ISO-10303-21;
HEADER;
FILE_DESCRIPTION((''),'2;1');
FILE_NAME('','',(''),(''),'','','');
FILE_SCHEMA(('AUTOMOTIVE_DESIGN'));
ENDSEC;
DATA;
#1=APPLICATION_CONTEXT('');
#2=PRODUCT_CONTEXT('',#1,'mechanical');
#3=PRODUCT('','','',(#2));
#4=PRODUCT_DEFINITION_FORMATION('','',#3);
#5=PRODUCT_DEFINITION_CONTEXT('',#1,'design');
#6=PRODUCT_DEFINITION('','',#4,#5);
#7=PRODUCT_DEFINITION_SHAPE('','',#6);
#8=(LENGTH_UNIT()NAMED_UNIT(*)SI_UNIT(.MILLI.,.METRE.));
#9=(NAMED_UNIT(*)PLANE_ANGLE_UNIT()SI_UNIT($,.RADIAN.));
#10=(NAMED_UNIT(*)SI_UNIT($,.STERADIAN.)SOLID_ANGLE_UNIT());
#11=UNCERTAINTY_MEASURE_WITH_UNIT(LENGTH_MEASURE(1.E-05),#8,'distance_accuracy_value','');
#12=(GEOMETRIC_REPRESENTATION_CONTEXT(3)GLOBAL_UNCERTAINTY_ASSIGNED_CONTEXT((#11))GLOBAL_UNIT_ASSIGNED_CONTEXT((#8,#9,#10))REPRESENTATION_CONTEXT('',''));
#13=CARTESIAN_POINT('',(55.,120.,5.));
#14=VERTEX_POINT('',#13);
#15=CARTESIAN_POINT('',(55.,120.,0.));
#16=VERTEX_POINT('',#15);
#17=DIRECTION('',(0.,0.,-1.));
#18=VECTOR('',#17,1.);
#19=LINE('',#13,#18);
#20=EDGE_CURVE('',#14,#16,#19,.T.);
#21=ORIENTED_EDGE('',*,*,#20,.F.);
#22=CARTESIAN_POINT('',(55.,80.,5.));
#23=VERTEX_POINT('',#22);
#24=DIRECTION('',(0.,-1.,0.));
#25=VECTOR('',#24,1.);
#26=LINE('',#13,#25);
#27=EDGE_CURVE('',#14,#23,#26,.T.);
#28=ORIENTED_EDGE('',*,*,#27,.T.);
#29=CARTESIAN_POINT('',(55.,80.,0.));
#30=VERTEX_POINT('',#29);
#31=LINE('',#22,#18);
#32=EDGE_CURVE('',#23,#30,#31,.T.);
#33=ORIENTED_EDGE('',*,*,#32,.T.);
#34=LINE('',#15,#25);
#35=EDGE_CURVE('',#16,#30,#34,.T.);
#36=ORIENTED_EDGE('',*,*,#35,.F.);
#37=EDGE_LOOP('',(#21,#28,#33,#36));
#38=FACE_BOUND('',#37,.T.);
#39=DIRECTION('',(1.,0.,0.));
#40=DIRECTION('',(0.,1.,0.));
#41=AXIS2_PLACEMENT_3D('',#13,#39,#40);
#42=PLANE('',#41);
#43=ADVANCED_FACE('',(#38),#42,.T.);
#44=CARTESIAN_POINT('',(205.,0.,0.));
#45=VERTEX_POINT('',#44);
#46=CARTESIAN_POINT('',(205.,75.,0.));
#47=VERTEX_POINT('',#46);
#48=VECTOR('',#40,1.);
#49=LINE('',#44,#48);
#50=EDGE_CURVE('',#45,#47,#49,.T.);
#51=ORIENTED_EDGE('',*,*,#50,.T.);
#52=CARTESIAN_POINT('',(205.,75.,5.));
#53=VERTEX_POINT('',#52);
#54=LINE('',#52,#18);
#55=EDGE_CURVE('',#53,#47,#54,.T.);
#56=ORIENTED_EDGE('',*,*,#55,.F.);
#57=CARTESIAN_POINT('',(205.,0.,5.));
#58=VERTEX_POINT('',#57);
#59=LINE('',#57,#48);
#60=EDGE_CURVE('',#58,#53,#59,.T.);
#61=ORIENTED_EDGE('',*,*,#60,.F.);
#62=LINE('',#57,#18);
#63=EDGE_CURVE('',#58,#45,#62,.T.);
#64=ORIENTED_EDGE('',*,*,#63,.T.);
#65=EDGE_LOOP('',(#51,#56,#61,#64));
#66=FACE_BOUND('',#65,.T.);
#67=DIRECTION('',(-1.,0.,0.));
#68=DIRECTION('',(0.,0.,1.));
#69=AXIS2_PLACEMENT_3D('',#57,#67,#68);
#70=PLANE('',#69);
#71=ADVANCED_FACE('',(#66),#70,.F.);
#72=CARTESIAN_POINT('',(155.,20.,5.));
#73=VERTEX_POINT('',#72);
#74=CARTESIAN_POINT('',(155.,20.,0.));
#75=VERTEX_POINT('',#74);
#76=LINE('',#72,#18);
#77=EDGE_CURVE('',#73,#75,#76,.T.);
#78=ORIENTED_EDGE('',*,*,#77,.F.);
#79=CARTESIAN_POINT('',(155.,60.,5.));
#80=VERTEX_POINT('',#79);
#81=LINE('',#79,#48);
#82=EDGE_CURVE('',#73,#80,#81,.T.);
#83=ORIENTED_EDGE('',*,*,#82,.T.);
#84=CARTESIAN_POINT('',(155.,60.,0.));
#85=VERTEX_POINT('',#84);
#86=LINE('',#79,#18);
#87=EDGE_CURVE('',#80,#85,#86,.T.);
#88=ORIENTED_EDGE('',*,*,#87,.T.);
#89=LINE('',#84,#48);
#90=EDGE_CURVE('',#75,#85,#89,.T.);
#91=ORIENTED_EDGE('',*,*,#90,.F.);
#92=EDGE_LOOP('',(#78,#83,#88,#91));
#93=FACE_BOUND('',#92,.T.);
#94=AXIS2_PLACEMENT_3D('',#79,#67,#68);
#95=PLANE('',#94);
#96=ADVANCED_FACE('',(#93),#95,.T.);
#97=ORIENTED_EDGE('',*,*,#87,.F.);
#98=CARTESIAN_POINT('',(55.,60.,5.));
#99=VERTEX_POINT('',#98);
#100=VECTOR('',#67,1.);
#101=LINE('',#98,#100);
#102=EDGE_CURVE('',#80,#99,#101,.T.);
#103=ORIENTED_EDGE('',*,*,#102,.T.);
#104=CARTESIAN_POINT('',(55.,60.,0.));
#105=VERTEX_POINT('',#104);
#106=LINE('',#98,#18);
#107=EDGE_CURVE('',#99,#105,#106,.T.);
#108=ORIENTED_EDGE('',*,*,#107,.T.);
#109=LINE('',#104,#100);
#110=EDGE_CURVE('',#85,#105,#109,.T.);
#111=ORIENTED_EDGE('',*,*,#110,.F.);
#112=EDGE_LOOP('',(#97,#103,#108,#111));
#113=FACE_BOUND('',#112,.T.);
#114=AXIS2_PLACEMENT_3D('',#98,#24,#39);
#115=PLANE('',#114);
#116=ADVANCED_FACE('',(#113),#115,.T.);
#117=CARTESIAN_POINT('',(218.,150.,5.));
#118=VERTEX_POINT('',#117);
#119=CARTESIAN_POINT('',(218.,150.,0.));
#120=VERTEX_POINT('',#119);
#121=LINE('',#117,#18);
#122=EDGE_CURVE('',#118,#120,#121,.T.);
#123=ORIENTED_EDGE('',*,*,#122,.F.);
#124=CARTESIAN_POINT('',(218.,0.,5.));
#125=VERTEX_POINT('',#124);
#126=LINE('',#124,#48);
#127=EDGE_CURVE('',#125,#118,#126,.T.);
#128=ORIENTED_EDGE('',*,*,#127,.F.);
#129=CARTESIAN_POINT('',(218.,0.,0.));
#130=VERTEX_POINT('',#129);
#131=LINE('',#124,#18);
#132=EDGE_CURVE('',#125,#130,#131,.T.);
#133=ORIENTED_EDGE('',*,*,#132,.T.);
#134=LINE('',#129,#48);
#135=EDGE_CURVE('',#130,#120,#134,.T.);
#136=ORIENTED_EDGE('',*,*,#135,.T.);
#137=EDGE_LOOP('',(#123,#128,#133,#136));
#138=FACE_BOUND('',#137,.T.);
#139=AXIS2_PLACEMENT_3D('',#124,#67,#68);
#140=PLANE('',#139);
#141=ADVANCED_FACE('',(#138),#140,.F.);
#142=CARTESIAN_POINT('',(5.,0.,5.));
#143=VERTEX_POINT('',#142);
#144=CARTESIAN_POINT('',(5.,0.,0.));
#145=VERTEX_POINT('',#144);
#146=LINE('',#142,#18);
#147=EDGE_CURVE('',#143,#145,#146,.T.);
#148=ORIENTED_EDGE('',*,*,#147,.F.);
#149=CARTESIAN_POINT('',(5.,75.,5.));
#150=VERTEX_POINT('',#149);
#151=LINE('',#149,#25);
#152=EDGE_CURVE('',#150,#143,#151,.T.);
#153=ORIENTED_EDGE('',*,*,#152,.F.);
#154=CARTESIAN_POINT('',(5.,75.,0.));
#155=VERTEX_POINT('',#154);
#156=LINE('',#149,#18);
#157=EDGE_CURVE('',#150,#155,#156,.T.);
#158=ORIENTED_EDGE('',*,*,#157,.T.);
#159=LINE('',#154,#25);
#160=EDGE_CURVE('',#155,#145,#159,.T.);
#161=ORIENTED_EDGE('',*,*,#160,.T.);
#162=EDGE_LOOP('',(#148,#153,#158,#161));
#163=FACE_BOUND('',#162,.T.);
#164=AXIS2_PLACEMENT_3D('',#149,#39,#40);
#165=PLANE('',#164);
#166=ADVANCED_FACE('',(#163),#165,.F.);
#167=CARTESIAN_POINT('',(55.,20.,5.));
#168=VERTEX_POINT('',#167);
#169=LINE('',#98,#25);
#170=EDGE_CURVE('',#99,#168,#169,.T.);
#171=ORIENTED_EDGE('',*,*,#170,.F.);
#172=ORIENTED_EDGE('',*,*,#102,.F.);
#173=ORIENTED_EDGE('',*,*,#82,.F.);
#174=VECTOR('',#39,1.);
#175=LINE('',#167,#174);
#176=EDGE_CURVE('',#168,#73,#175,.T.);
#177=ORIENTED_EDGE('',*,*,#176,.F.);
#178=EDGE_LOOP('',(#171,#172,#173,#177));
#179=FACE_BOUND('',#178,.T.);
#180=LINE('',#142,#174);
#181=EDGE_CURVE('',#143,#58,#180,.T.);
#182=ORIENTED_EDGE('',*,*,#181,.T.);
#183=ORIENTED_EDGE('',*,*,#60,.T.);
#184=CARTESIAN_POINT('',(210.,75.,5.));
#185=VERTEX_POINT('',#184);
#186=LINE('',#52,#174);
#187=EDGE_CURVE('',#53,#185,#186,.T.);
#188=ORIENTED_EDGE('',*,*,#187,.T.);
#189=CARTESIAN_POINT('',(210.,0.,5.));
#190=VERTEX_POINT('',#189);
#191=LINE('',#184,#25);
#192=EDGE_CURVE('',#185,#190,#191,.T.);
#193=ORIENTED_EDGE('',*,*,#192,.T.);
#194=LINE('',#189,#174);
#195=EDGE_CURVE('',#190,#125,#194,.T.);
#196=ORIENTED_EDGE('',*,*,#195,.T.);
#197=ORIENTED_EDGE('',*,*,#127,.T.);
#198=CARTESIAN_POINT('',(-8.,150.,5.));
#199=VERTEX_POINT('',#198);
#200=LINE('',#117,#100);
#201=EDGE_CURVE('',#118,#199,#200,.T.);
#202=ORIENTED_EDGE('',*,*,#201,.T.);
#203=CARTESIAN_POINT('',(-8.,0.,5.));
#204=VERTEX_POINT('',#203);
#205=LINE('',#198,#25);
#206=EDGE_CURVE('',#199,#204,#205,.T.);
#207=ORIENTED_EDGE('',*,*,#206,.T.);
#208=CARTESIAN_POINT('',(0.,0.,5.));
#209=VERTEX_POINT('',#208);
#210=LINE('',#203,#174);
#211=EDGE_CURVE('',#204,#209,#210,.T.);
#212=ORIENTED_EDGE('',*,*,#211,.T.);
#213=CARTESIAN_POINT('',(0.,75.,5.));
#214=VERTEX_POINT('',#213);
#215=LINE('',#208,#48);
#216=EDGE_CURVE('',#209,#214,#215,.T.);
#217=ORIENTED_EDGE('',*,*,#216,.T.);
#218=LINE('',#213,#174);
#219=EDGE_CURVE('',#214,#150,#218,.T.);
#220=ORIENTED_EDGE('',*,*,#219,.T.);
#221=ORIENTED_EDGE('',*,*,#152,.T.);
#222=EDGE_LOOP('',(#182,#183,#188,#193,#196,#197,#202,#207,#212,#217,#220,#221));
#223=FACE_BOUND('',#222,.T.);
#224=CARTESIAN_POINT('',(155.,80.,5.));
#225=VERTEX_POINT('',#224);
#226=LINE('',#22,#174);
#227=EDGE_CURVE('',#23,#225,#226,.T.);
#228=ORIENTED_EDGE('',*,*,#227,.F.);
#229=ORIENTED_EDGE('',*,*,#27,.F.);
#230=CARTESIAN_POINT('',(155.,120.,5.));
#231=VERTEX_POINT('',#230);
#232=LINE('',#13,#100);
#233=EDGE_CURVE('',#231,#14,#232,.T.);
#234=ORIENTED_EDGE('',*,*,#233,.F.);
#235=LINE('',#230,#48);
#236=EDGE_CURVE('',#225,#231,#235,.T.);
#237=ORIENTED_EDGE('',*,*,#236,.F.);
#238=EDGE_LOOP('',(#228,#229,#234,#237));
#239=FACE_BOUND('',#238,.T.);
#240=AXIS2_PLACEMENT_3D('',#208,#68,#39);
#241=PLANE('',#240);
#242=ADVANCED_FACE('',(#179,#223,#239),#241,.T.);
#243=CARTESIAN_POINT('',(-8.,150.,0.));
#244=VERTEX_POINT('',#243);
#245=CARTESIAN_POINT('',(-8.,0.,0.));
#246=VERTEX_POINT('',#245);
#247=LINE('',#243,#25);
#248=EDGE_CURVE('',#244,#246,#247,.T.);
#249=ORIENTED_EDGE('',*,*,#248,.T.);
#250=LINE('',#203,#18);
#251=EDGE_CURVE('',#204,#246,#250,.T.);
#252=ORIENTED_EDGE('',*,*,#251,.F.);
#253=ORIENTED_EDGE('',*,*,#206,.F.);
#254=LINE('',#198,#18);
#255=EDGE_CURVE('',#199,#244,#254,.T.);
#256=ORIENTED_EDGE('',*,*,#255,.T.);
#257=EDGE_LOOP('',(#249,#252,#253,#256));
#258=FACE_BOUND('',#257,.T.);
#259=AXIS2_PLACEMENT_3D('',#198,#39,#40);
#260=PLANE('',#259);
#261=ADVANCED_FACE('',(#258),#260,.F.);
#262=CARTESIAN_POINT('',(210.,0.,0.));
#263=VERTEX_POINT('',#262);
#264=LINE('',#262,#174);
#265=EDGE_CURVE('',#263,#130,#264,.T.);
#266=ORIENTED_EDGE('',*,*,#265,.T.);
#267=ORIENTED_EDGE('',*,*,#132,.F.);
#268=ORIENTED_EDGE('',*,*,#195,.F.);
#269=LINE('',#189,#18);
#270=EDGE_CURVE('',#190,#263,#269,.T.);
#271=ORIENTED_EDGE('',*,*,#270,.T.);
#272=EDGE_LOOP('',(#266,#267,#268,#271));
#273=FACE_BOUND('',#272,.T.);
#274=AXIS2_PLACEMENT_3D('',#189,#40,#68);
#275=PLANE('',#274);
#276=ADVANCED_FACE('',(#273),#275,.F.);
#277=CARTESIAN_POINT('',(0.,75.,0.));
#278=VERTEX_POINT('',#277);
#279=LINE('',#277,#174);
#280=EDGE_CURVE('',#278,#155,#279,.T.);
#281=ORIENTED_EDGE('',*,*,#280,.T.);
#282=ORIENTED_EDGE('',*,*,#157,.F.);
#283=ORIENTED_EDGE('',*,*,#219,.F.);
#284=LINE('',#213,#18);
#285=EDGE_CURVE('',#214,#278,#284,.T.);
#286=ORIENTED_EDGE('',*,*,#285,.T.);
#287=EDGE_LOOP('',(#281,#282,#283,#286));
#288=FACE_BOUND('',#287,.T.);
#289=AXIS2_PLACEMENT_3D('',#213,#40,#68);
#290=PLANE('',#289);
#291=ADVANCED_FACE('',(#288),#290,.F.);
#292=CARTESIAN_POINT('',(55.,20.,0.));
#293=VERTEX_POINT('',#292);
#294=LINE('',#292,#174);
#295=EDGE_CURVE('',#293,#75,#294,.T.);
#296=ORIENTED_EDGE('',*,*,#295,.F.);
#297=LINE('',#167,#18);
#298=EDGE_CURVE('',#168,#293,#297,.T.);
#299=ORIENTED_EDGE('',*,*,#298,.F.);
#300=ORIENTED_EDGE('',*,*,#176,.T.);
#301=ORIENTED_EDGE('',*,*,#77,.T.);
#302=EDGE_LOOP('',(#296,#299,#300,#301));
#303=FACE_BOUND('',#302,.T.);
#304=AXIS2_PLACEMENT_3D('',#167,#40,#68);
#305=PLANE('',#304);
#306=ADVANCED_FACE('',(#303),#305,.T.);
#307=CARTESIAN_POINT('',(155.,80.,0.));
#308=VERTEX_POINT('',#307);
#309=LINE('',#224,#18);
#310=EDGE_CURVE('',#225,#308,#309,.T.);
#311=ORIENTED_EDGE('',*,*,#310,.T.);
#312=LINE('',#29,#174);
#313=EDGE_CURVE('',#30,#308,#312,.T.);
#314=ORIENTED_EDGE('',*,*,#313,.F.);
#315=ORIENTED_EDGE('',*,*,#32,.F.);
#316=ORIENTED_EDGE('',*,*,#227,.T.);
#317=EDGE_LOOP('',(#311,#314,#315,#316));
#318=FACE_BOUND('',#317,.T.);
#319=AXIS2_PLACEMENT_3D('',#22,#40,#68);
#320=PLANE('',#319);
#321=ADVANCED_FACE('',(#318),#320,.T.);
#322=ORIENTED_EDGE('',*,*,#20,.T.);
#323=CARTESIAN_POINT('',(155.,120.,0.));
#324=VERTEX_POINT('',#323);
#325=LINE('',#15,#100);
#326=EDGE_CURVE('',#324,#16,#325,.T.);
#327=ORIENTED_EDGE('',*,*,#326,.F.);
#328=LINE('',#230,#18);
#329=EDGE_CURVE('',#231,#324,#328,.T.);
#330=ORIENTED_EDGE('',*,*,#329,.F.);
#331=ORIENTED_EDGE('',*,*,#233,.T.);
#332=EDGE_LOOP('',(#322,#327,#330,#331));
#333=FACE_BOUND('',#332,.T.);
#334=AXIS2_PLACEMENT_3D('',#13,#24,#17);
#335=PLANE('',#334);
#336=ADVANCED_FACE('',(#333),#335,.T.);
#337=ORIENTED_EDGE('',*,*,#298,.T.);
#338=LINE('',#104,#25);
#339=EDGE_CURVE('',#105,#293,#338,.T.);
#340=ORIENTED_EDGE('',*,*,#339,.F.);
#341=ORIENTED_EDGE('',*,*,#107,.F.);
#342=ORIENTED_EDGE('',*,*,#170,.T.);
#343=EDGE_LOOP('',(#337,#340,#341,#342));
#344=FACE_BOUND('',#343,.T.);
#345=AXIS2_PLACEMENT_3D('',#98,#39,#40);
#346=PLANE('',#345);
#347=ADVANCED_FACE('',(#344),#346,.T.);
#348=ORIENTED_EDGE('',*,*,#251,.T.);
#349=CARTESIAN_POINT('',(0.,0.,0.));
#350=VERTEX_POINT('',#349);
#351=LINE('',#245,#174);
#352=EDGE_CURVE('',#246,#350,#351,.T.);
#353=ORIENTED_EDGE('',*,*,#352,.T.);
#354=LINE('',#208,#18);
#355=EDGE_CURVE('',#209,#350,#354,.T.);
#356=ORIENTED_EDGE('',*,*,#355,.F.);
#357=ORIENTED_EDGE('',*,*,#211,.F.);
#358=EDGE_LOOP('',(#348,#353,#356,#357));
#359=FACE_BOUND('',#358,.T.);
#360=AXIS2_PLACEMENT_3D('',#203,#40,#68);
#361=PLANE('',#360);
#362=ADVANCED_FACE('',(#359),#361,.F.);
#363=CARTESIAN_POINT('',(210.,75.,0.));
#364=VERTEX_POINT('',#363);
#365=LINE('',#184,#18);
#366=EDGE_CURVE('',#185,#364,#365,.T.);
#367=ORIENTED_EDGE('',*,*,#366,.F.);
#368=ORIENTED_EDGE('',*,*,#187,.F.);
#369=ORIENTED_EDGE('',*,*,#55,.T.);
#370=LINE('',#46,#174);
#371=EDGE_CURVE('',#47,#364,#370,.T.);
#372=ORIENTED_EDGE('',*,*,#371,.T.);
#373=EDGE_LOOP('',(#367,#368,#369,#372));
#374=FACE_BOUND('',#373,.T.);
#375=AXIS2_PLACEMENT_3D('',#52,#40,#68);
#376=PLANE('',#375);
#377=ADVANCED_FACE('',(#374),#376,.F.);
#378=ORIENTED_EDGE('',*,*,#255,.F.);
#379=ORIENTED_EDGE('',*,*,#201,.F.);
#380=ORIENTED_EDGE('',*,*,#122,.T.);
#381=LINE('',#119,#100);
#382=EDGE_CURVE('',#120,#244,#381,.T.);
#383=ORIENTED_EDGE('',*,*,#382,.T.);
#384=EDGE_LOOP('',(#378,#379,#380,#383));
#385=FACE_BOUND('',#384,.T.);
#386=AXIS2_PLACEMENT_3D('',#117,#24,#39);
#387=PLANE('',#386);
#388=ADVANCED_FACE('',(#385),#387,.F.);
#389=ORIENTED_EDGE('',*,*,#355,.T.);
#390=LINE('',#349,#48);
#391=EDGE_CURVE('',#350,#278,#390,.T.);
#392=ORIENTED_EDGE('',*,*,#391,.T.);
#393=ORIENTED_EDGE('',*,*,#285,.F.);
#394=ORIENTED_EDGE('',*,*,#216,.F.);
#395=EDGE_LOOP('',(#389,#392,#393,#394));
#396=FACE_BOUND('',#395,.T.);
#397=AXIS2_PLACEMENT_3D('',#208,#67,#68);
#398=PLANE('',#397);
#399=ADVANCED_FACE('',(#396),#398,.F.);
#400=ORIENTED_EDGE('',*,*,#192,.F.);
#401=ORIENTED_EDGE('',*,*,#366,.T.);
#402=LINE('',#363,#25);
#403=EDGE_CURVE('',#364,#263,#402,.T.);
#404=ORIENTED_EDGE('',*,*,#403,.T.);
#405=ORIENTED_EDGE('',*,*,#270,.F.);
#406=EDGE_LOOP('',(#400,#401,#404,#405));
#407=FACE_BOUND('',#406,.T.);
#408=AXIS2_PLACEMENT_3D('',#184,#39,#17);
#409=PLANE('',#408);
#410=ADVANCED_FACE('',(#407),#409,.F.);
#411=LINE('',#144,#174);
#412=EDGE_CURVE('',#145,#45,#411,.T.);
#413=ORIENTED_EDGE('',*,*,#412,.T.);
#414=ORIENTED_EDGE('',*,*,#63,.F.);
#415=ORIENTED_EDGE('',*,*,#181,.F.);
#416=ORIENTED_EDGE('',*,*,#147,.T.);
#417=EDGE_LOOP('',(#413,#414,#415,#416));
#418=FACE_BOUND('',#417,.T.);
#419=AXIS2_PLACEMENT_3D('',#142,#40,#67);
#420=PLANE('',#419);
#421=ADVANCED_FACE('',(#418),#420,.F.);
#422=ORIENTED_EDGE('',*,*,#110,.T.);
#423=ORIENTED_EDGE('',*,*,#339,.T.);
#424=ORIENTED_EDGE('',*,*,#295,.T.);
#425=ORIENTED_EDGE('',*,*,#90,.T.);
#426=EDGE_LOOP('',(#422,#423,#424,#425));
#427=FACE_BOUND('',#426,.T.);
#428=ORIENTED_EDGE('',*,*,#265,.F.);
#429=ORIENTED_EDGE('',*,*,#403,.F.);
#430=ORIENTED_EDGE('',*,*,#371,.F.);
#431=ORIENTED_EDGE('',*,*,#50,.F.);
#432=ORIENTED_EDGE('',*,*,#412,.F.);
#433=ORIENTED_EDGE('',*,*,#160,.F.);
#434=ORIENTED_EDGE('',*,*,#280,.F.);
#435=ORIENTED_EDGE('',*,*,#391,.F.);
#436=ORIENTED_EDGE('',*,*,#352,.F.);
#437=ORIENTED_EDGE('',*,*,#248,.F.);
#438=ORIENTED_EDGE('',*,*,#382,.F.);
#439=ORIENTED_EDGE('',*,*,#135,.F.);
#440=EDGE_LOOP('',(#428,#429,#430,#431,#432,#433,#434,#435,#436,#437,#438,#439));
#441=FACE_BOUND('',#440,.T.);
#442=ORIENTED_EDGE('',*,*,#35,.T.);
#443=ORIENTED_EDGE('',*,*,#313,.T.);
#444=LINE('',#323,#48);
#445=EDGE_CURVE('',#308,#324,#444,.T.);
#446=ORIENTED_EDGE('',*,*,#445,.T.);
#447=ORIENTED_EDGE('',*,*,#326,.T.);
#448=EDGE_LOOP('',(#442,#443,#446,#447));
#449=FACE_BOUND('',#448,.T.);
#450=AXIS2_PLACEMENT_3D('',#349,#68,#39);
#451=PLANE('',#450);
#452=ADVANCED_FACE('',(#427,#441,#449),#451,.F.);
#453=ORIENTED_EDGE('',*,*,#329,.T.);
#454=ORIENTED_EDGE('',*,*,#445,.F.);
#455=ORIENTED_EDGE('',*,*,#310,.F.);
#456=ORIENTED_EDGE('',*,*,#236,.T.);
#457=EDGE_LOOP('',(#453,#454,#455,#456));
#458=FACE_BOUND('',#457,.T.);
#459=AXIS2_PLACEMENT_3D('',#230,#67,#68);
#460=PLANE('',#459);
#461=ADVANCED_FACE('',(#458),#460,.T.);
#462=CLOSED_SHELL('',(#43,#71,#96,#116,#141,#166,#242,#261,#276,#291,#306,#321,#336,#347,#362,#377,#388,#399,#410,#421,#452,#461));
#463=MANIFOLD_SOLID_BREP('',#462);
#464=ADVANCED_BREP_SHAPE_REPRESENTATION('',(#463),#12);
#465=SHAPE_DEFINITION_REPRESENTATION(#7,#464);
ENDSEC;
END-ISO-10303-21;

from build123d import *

# Parameters (mm, degrees)
ESQUISSE1_W        = 100
ESQUISSE1_H        = 40
BOSS_EXTRU_1_DEPTH = 5


with BuildPart() as part:
    # Esquisse1 → Boss.-Extru.1 (new body)
    with BuildSketch(Plane.XY):
        Polygon((-8, 0), (0, 0), (0, 75), (5, 75), (5, 0), (205, 0), (205, 75), (210, 75), (210, 0), (218, 0), (218, 150), (-8, 150), align=None)
        with Locations((105, 40)):
            Rectangle(ESQUISSE1_W, ESQUISSE1_H, mode=Mode.SUBTRACT)
        with Locations((105, 100)):
            Rectangle(ESQUISSE1_W, ESQUISSE1_H, mode=Mode.SUBTRACT)
    extrude(amount=BOSS_EXTRU_1_DEPTH)


solid = part.part
